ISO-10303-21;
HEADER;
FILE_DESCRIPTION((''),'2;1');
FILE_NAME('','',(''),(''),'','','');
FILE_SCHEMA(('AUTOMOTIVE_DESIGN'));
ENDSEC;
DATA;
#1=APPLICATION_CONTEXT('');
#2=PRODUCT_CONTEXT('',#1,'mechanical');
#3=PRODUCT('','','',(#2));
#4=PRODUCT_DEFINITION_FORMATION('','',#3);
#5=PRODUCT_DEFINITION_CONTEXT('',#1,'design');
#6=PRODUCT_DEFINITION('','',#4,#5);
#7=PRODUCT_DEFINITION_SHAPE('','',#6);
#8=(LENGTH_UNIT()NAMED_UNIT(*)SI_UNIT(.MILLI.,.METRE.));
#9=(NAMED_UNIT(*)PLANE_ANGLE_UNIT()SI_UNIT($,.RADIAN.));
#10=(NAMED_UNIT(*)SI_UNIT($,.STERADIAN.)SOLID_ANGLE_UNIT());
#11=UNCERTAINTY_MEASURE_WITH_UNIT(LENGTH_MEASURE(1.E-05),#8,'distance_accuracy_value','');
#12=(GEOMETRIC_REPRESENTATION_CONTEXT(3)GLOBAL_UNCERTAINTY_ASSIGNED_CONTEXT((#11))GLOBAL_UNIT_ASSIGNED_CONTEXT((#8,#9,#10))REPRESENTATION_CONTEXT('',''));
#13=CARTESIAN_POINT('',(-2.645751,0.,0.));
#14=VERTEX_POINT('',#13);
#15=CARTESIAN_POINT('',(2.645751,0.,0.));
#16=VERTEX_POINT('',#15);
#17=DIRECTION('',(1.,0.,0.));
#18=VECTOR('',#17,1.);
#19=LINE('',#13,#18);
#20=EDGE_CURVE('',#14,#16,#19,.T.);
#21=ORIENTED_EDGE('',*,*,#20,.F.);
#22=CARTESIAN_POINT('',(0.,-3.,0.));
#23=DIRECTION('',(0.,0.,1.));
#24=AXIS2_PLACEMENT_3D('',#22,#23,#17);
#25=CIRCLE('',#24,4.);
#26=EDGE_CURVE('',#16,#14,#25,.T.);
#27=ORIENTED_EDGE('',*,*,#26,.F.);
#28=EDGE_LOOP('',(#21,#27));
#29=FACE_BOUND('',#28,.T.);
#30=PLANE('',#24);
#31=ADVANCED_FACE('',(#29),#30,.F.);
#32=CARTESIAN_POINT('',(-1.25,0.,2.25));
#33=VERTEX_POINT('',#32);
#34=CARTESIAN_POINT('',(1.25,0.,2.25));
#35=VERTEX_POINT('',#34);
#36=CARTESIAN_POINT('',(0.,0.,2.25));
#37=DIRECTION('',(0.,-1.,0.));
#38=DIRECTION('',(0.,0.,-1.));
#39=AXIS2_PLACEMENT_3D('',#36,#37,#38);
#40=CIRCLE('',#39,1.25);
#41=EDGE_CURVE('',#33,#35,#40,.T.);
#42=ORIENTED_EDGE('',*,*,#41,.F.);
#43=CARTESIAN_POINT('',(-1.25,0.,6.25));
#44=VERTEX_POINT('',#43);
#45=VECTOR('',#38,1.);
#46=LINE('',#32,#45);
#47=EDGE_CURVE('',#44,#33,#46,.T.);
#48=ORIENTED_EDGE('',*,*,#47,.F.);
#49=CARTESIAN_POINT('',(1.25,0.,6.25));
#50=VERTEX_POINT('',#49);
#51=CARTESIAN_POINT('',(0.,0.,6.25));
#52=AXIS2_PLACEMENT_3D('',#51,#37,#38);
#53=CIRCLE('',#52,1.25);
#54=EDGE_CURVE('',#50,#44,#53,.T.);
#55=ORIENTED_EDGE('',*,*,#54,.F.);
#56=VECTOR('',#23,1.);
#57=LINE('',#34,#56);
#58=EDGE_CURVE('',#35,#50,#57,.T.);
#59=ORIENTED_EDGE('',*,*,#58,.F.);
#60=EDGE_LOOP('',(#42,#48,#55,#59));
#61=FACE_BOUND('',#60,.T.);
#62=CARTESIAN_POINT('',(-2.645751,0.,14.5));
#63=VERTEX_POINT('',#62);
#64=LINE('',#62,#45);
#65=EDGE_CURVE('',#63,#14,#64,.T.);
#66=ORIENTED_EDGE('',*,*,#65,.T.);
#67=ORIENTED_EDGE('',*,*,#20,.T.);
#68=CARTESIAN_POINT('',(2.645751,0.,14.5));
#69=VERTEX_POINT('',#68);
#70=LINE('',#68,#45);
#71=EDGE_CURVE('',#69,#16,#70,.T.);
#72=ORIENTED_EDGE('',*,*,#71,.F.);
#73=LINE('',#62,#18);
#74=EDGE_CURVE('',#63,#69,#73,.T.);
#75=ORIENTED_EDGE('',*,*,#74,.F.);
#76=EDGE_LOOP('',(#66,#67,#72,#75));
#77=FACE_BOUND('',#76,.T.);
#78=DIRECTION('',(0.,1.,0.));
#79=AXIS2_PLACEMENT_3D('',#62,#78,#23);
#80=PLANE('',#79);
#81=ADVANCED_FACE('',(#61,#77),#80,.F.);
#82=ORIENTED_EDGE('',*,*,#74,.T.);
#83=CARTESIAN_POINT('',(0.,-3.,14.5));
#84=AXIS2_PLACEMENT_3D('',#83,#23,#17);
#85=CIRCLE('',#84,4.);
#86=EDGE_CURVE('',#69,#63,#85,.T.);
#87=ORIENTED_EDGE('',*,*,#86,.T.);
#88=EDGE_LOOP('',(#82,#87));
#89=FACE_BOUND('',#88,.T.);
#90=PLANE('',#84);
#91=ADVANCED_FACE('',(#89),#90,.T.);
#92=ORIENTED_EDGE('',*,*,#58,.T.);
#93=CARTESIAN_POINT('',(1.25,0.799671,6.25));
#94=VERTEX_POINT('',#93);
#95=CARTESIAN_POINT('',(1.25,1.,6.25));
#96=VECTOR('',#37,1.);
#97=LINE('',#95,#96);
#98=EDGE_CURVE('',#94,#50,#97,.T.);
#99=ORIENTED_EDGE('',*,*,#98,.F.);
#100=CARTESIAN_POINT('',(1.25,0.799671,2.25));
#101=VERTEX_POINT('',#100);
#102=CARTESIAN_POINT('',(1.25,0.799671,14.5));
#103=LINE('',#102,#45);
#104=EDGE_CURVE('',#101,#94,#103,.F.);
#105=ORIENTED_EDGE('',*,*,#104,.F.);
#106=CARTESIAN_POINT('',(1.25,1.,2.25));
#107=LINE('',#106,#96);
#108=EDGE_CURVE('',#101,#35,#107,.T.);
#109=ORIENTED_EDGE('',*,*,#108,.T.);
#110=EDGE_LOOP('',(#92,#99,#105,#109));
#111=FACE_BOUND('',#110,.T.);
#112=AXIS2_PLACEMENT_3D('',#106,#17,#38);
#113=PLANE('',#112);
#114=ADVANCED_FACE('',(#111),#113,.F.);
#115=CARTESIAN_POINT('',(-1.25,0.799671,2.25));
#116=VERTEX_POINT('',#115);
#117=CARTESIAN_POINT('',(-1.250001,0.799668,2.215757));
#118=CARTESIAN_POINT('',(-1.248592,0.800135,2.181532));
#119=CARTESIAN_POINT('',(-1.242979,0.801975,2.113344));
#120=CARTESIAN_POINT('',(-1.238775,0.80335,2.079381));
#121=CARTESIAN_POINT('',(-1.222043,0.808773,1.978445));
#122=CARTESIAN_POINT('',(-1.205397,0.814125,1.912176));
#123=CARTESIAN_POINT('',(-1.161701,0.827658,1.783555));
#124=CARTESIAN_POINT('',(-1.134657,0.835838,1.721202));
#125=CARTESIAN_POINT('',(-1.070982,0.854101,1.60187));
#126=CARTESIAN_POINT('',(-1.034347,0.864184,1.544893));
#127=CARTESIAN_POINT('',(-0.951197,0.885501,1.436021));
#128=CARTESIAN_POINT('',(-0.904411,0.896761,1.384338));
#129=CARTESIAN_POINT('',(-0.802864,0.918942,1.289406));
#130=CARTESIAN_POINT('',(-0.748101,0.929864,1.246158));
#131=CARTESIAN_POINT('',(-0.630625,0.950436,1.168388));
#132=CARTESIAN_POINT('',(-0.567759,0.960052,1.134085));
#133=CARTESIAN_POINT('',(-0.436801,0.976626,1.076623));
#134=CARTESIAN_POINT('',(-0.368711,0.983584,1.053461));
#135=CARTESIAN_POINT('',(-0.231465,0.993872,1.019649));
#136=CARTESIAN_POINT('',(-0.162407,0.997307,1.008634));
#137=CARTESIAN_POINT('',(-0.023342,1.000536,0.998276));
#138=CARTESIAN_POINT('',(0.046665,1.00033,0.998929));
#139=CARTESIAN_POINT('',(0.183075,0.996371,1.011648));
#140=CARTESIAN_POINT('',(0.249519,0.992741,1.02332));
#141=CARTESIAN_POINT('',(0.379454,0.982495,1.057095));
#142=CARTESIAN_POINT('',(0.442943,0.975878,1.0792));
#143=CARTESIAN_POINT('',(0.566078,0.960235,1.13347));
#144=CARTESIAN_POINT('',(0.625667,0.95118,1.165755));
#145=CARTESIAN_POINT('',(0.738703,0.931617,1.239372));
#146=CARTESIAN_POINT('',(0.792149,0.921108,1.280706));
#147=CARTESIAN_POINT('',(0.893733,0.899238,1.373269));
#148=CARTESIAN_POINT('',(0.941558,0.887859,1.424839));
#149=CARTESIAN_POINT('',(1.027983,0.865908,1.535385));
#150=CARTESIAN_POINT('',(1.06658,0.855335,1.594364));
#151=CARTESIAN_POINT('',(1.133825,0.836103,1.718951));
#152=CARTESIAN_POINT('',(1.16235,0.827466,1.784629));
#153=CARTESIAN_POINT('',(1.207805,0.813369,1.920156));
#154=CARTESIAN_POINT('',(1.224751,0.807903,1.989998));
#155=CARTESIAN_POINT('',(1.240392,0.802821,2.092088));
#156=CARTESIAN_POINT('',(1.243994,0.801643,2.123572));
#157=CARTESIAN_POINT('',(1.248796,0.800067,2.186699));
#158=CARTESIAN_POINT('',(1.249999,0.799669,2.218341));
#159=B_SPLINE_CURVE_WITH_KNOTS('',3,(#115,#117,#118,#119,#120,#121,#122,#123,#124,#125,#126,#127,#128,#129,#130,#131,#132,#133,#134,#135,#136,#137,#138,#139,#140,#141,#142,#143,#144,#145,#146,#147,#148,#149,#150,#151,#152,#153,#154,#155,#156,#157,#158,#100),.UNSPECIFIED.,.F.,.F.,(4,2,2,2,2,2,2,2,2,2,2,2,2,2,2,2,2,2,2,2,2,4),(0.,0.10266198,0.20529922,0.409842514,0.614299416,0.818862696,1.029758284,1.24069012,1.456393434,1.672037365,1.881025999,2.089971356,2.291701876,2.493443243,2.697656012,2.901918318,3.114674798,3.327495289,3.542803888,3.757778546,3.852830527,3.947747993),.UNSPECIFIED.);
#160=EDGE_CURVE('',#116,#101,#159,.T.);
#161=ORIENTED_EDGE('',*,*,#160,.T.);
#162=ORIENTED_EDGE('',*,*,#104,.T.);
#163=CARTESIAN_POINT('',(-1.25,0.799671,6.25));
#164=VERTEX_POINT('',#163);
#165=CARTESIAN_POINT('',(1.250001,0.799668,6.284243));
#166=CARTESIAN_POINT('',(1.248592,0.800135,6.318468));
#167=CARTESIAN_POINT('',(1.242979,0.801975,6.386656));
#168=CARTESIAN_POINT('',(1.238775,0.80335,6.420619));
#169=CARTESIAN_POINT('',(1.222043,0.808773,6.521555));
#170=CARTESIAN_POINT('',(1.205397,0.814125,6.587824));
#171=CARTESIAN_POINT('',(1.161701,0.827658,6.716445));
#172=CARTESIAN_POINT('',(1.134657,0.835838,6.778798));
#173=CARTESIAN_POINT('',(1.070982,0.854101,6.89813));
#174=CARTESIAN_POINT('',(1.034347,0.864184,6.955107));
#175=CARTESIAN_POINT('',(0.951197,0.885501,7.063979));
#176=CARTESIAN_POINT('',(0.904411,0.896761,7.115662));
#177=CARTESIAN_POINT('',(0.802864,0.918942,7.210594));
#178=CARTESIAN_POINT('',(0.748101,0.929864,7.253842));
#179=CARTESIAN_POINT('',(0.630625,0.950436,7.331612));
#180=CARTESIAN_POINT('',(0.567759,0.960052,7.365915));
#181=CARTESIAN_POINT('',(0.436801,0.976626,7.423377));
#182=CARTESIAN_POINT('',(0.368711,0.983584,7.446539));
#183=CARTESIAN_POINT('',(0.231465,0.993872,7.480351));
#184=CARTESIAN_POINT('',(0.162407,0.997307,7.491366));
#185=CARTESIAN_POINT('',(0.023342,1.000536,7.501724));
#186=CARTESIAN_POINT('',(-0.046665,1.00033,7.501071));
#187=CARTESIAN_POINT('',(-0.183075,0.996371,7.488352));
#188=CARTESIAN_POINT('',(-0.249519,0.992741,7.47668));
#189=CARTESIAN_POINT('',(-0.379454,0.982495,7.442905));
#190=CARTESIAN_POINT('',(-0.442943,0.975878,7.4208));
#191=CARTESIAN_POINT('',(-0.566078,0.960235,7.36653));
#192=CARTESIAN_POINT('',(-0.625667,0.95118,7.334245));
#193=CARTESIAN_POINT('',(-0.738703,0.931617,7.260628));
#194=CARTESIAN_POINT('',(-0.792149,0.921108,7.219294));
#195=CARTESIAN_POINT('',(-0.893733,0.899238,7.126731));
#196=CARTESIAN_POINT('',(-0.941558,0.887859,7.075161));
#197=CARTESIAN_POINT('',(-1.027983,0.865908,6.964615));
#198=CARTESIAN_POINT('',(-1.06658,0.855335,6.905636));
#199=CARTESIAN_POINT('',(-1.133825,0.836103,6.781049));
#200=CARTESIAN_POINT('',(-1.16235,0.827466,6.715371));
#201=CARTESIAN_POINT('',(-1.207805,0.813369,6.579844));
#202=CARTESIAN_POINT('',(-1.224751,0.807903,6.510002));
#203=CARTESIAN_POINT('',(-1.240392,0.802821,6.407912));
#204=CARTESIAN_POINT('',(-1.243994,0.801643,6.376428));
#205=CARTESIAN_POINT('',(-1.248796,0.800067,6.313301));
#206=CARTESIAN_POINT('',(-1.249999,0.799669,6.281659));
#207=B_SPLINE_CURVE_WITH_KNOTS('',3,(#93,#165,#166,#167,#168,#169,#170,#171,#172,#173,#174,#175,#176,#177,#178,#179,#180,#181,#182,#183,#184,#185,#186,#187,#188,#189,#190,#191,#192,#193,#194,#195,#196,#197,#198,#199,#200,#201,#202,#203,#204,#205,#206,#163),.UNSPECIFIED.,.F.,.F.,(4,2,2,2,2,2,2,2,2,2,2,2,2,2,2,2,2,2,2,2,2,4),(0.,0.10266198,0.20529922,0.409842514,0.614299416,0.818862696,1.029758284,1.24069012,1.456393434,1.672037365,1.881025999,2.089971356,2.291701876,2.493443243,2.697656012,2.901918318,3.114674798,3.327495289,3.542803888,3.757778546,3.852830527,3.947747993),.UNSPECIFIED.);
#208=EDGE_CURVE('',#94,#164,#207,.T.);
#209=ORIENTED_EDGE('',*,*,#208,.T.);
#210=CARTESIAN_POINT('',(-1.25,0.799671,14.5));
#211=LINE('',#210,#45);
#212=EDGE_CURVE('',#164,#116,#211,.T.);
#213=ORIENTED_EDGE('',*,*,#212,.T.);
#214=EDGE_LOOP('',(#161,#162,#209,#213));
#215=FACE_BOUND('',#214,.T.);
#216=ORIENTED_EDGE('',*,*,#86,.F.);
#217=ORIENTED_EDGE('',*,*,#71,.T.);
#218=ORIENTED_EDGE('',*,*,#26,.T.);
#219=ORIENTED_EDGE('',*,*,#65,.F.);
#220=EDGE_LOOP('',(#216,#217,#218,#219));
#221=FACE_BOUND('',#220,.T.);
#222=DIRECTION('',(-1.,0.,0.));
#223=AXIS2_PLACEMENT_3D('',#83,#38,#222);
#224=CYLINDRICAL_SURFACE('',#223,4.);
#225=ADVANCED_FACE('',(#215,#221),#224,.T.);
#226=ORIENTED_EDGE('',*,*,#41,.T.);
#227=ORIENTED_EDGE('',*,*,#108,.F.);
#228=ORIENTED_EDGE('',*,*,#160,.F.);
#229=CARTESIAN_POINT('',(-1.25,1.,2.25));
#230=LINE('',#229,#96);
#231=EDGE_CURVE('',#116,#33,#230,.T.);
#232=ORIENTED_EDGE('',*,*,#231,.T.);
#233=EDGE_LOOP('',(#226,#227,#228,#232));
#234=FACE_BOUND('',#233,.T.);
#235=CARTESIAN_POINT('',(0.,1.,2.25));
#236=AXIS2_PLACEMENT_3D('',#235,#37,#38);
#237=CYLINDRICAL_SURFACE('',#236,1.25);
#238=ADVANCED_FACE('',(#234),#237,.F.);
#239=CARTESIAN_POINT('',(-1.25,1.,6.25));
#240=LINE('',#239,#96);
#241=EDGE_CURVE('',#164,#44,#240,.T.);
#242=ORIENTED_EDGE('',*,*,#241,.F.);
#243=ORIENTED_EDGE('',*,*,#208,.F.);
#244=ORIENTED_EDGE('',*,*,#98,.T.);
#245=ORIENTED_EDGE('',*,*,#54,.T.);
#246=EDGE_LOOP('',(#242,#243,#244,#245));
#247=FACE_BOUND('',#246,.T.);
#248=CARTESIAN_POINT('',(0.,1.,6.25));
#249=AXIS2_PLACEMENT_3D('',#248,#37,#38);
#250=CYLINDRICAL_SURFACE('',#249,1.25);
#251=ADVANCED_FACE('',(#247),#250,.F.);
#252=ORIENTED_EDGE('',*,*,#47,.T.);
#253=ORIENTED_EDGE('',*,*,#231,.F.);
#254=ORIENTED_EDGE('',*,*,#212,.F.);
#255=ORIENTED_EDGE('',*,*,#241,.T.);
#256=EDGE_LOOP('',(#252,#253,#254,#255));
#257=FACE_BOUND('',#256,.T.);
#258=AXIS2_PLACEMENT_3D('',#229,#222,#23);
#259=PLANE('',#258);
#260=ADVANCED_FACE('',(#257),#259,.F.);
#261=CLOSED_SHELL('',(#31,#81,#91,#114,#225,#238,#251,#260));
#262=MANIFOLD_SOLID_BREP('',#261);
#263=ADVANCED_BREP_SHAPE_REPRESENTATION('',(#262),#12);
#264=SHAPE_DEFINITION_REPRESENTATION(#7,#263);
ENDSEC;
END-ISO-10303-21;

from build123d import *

# Parameters (mm, degrees)
BOSS_EXTRUDE1_DEPTH = 14.5
CUT_EXTRUDE1_DEPTH  = 15.773286703


with BuildPart() as part:
    # Sketch1 → Boss-Extrude1 (new body)
    with BuildSketch(Plane.XY):
        with BuildLine():
            Line((-2.645751311, 0), (2.645751311, 0))
            ThreePointArc((2.645751311, 0), (0, 1), (-2.645751311, 0))
        make_face()
    extrude(amount=BOSS_EXTRUDE1_DEPTH)

    # Sketch2 → Cut-Extrude1 (cut, through all)
    with BuildSketch(Plane.XZ):
        with BuildLine():
            Line((-1.25, 2.25), (-1.25, 6.25))
            ThreePointArc((-1.25, 6.25), (0, 7.5), (1.25, 6.25))
            Line((1.25, 6.25), (1.25, 2.25))
            ThreePointArc((1.25, 2.25), (0, 1), (-1.25, 2.25))
        make_face()
    extrude(amount=-CUT_EXTRUDE1_DEPTH, mode=Mode.SUBTRACT)


solid = part.part
